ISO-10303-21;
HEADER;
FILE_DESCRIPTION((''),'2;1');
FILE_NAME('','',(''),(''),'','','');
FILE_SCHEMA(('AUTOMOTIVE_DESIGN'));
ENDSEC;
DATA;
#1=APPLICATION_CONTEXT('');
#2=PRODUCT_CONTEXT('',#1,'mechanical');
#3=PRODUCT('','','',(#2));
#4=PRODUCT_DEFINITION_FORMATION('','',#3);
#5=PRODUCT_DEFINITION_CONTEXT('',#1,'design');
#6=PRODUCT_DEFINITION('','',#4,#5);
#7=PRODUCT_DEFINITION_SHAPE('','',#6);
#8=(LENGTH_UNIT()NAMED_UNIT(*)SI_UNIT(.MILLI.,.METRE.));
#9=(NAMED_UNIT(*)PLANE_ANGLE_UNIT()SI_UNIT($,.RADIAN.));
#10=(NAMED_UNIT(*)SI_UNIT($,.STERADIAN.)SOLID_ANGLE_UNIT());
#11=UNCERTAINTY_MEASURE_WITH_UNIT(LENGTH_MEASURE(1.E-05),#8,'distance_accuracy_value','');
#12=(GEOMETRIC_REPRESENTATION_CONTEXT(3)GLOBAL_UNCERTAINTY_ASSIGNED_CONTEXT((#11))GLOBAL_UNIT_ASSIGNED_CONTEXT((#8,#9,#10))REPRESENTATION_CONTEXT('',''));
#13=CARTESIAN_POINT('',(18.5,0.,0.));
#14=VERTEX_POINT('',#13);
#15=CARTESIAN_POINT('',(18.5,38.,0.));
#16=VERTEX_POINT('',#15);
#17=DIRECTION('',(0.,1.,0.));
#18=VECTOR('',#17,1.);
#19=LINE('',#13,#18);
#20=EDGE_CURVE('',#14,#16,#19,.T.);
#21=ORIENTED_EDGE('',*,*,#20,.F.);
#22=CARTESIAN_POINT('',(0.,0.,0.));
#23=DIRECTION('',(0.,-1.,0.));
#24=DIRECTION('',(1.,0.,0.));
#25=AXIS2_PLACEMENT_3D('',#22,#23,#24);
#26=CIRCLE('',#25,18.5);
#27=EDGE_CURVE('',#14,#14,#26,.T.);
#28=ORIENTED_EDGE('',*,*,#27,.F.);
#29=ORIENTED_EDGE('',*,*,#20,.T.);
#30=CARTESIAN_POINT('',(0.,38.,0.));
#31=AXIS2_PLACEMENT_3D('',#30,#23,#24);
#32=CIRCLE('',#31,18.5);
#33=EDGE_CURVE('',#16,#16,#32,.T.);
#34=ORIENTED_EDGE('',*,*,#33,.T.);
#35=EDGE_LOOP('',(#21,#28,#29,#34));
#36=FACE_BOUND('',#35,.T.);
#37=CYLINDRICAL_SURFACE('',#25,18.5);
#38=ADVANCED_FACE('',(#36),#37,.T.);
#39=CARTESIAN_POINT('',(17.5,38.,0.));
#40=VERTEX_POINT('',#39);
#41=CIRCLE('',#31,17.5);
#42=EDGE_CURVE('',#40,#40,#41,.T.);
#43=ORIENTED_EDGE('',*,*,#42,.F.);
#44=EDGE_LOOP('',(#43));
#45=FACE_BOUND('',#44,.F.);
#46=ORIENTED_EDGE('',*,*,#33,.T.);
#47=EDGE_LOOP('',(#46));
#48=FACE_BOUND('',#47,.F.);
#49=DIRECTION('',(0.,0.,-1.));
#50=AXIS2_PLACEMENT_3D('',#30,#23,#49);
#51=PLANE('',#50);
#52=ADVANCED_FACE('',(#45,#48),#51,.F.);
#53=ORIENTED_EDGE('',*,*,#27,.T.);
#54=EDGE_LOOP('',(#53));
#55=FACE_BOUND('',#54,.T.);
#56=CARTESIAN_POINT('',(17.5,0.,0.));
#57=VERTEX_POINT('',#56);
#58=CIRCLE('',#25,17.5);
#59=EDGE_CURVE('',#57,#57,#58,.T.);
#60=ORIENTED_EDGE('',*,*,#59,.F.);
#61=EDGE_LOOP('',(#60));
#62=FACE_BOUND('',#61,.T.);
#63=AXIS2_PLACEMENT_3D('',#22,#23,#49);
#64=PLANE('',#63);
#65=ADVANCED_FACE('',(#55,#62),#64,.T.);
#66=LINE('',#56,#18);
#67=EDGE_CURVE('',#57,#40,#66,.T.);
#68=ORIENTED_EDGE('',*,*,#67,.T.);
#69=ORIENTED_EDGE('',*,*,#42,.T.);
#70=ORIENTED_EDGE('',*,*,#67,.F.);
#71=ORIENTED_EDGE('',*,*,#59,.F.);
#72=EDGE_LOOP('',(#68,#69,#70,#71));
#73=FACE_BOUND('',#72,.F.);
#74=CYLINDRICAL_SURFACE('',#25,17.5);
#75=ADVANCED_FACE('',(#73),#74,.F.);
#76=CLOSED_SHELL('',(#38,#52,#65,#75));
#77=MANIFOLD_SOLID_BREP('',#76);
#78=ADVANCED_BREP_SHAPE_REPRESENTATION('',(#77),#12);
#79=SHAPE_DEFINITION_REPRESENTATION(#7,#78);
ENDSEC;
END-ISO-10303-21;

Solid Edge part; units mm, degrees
sketch "Sketch1" plane through (0, 0, 0) normal (0, -1, 0) x (1, 0, 0)
  circle A0 centre (0, 0) radius 17.5
  circle A1 centre (0, 0) radius 18.5
  dimension "D1" = 35
  dimension "D2" = 37
extrude "Protrusion1" add sketch "Sketch1" against normal blind 38
